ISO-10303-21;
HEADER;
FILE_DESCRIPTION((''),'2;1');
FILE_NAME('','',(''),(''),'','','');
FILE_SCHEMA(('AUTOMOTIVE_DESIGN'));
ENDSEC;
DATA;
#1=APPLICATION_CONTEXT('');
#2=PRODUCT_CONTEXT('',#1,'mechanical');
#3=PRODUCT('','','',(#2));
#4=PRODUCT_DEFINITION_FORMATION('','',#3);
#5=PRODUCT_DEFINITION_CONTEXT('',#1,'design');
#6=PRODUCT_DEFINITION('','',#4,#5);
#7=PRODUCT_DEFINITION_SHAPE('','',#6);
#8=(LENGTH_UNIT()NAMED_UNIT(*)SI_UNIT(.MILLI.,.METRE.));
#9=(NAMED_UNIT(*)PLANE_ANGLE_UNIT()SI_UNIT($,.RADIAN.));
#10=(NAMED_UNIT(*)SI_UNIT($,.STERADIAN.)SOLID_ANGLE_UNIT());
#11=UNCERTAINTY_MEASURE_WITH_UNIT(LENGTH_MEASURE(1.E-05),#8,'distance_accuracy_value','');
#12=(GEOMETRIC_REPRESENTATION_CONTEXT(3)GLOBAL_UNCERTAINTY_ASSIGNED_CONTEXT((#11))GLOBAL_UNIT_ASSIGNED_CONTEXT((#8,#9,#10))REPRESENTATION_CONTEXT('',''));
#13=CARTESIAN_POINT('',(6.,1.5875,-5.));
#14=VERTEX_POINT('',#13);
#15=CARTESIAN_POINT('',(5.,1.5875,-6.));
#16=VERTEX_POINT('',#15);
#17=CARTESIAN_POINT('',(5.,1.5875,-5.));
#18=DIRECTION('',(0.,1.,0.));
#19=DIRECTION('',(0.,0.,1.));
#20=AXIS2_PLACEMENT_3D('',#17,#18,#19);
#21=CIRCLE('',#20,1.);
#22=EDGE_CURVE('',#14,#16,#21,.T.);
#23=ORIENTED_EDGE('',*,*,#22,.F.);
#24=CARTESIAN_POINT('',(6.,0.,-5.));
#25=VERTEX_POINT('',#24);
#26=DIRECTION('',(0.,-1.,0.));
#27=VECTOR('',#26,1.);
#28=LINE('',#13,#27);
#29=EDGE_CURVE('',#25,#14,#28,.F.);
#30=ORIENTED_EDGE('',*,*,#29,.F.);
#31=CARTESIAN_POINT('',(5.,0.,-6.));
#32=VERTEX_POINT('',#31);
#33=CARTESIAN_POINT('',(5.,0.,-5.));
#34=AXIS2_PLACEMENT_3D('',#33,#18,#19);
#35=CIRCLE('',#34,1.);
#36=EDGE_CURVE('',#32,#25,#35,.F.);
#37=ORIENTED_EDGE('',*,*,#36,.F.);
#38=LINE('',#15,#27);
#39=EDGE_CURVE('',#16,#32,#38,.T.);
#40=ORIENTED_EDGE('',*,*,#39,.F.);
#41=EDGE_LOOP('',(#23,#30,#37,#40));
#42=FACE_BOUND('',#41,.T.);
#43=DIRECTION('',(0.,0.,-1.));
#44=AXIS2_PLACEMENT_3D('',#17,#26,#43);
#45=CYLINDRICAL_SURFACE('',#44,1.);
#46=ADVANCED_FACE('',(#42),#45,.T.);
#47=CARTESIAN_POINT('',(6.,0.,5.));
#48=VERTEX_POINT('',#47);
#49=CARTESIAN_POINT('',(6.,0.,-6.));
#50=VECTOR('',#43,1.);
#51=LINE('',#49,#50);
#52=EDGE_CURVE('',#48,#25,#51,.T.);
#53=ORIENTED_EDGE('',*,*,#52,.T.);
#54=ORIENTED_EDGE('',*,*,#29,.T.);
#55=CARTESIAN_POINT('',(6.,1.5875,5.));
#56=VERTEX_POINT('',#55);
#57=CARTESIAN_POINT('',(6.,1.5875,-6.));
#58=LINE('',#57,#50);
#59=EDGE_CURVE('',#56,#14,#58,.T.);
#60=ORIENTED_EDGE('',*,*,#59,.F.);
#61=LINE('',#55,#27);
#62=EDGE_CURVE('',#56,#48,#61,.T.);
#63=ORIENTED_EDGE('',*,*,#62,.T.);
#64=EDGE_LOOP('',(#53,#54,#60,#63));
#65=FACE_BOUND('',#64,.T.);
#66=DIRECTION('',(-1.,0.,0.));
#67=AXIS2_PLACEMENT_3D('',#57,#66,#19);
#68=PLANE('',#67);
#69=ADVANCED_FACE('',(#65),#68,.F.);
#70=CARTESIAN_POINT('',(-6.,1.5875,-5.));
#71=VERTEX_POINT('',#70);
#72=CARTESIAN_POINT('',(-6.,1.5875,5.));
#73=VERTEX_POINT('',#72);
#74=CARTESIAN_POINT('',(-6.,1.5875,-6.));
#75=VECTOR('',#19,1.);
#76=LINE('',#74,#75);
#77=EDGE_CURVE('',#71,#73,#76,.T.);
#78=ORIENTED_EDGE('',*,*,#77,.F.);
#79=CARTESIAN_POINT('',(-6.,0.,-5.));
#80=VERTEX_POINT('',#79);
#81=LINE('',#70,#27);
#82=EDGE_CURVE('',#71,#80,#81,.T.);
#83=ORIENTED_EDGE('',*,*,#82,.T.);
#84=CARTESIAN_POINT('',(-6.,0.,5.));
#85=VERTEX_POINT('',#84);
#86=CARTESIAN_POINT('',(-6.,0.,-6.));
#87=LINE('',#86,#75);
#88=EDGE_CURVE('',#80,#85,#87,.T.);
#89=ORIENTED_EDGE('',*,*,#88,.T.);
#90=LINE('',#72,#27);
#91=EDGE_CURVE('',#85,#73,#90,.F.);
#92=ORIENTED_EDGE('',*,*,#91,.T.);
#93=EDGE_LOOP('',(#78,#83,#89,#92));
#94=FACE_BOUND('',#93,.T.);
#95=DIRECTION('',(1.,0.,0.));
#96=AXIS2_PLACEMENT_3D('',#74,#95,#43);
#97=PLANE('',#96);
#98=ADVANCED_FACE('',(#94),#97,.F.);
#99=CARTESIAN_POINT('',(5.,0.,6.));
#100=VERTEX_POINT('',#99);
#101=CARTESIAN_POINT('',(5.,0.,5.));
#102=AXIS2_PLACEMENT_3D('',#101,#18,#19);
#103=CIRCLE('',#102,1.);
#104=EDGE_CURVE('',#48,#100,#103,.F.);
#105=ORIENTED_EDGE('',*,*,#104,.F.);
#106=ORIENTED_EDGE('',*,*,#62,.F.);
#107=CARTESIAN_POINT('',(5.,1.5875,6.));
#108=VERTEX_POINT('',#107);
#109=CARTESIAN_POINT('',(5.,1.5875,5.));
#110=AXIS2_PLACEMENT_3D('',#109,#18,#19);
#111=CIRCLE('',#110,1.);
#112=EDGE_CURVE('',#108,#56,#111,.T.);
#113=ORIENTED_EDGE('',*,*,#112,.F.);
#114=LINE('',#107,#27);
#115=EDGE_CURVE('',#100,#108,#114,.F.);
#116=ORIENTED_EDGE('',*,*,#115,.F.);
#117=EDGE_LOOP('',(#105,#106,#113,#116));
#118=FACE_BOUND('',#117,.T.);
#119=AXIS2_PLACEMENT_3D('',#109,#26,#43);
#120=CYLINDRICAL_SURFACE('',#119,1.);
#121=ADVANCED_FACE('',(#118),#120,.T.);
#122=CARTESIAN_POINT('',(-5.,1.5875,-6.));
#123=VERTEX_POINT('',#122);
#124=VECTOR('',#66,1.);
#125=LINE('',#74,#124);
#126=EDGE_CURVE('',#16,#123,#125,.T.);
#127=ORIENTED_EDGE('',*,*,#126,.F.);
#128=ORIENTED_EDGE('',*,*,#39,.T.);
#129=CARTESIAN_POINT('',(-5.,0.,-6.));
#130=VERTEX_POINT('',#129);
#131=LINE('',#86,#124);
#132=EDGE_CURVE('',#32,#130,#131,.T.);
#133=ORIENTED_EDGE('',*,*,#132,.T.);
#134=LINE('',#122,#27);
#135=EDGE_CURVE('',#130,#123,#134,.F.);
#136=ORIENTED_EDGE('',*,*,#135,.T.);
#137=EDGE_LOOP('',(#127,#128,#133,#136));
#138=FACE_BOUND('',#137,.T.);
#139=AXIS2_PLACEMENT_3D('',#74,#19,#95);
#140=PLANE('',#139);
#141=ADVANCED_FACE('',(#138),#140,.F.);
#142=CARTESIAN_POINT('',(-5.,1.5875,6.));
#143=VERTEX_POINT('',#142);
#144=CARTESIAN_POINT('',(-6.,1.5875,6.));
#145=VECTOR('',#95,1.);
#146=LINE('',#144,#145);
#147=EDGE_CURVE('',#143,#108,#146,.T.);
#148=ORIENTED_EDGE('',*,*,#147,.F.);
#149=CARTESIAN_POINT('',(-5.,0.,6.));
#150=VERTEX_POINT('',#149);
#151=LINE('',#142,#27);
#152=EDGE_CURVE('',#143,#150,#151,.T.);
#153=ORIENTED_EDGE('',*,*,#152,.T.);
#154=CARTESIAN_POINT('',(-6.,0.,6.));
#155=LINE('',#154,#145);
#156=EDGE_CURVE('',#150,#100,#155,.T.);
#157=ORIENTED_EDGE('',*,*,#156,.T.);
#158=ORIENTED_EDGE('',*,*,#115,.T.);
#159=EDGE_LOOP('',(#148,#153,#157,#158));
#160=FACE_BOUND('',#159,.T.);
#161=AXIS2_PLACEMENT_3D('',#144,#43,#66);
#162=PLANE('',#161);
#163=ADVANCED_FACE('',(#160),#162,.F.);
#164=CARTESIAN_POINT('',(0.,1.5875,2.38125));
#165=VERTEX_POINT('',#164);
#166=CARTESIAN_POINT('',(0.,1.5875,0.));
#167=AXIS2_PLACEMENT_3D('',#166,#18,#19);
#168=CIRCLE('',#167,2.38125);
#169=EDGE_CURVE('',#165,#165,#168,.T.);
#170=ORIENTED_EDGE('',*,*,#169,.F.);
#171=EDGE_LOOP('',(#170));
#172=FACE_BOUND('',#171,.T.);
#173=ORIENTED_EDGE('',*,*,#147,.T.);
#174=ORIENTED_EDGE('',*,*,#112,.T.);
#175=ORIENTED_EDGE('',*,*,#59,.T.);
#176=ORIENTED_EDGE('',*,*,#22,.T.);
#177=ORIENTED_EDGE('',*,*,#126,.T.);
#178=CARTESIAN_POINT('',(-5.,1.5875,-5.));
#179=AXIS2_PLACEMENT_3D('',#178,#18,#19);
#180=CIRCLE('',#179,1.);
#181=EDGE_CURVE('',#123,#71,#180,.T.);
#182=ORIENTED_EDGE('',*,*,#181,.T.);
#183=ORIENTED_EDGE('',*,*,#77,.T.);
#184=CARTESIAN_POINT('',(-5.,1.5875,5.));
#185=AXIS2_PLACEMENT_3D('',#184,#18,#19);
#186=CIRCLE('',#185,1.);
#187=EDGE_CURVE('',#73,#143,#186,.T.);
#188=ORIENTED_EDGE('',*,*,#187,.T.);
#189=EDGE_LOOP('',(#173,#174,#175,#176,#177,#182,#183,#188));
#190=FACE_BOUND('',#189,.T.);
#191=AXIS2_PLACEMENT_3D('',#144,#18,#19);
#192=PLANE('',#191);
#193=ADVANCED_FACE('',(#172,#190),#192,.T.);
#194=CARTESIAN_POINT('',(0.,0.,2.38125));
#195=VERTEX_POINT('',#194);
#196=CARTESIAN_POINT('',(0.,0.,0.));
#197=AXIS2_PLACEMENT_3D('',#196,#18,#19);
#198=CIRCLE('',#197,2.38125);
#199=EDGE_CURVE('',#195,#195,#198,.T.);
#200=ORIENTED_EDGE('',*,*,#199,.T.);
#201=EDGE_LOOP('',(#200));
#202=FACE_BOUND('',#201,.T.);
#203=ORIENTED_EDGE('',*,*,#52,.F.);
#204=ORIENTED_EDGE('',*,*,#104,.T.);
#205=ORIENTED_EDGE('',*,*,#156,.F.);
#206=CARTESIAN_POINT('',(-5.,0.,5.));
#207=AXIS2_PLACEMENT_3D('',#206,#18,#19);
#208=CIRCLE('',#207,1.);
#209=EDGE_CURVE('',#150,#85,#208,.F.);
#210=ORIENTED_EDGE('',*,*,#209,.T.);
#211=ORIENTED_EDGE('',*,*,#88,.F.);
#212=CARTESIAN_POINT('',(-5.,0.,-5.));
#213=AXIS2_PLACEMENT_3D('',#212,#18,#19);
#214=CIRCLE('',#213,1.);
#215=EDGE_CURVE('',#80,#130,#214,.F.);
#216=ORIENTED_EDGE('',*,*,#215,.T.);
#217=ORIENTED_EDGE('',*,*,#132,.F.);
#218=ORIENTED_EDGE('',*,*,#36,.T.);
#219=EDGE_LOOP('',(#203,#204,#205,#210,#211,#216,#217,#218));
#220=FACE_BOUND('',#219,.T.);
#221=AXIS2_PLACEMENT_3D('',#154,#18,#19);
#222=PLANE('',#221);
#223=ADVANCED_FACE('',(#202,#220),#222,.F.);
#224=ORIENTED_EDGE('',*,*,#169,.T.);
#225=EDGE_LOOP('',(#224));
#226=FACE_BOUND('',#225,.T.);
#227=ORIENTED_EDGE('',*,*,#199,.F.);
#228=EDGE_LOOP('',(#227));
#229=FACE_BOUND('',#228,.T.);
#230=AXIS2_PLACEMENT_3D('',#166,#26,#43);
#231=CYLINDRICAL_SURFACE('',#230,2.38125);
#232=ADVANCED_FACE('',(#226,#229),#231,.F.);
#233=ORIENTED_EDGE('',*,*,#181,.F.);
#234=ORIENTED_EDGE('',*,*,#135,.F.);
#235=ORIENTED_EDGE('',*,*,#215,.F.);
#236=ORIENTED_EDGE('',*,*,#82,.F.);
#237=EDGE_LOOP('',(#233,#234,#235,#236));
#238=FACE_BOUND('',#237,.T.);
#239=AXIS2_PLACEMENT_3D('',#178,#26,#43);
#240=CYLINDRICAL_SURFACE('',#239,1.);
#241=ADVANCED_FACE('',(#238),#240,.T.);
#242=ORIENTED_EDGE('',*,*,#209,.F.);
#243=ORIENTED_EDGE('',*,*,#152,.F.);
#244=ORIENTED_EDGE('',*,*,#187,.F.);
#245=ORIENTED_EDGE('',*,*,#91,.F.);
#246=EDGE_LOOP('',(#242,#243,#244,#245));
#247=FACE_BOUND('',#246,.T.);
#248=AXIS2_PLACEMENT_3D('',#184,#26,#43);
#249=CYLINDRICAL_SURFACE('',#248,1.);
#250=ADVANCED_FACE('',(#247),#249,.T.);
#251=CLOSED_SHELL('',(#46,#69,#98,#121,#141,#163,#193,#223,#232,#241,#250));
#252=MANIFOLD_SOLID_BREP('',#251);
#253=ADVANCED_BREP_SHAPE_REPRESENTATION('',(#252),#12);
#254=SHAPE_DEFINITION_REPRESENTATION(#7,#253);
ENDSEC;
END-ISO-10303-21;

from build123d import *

# Parameters (mm, degrees)
SKETCH1_W           = 12
SKETCH1_H           = 12
SKETCH1_R           = 2.38125
BOSS_EXTRUDE1_DEPTH = 1.5875
FILLET1_R           = 1


with BuildPart() as part:
    # Sketch1 → Boss-Extrude1 (new body)
    with BuildSketch(Plane(origin=(0, 0, 0), x_dir=(1, 0, 0), z_dir=(0, 1, 0))):
        Rectangle(SKETCH1_W, SKETCH1_H)
        Circle(SKETCH1_R, mode=Mode.SUBTRACT)
    extrude(amount=BOSS_EXTRUDE1_DEPTH)

    # Fillet1
    fillet1_edges = [part.edges().sort_by_distance(p)[0] for p in [
        (-6, 0.79375, -6),
        (6, 0.79375, -6),
        (6, 0.79375, 6),
        (-6, 0.79375, 6),
    ]]
    fillet(fillet1_edges, radius=FILLET1_R)


solid = part.part
